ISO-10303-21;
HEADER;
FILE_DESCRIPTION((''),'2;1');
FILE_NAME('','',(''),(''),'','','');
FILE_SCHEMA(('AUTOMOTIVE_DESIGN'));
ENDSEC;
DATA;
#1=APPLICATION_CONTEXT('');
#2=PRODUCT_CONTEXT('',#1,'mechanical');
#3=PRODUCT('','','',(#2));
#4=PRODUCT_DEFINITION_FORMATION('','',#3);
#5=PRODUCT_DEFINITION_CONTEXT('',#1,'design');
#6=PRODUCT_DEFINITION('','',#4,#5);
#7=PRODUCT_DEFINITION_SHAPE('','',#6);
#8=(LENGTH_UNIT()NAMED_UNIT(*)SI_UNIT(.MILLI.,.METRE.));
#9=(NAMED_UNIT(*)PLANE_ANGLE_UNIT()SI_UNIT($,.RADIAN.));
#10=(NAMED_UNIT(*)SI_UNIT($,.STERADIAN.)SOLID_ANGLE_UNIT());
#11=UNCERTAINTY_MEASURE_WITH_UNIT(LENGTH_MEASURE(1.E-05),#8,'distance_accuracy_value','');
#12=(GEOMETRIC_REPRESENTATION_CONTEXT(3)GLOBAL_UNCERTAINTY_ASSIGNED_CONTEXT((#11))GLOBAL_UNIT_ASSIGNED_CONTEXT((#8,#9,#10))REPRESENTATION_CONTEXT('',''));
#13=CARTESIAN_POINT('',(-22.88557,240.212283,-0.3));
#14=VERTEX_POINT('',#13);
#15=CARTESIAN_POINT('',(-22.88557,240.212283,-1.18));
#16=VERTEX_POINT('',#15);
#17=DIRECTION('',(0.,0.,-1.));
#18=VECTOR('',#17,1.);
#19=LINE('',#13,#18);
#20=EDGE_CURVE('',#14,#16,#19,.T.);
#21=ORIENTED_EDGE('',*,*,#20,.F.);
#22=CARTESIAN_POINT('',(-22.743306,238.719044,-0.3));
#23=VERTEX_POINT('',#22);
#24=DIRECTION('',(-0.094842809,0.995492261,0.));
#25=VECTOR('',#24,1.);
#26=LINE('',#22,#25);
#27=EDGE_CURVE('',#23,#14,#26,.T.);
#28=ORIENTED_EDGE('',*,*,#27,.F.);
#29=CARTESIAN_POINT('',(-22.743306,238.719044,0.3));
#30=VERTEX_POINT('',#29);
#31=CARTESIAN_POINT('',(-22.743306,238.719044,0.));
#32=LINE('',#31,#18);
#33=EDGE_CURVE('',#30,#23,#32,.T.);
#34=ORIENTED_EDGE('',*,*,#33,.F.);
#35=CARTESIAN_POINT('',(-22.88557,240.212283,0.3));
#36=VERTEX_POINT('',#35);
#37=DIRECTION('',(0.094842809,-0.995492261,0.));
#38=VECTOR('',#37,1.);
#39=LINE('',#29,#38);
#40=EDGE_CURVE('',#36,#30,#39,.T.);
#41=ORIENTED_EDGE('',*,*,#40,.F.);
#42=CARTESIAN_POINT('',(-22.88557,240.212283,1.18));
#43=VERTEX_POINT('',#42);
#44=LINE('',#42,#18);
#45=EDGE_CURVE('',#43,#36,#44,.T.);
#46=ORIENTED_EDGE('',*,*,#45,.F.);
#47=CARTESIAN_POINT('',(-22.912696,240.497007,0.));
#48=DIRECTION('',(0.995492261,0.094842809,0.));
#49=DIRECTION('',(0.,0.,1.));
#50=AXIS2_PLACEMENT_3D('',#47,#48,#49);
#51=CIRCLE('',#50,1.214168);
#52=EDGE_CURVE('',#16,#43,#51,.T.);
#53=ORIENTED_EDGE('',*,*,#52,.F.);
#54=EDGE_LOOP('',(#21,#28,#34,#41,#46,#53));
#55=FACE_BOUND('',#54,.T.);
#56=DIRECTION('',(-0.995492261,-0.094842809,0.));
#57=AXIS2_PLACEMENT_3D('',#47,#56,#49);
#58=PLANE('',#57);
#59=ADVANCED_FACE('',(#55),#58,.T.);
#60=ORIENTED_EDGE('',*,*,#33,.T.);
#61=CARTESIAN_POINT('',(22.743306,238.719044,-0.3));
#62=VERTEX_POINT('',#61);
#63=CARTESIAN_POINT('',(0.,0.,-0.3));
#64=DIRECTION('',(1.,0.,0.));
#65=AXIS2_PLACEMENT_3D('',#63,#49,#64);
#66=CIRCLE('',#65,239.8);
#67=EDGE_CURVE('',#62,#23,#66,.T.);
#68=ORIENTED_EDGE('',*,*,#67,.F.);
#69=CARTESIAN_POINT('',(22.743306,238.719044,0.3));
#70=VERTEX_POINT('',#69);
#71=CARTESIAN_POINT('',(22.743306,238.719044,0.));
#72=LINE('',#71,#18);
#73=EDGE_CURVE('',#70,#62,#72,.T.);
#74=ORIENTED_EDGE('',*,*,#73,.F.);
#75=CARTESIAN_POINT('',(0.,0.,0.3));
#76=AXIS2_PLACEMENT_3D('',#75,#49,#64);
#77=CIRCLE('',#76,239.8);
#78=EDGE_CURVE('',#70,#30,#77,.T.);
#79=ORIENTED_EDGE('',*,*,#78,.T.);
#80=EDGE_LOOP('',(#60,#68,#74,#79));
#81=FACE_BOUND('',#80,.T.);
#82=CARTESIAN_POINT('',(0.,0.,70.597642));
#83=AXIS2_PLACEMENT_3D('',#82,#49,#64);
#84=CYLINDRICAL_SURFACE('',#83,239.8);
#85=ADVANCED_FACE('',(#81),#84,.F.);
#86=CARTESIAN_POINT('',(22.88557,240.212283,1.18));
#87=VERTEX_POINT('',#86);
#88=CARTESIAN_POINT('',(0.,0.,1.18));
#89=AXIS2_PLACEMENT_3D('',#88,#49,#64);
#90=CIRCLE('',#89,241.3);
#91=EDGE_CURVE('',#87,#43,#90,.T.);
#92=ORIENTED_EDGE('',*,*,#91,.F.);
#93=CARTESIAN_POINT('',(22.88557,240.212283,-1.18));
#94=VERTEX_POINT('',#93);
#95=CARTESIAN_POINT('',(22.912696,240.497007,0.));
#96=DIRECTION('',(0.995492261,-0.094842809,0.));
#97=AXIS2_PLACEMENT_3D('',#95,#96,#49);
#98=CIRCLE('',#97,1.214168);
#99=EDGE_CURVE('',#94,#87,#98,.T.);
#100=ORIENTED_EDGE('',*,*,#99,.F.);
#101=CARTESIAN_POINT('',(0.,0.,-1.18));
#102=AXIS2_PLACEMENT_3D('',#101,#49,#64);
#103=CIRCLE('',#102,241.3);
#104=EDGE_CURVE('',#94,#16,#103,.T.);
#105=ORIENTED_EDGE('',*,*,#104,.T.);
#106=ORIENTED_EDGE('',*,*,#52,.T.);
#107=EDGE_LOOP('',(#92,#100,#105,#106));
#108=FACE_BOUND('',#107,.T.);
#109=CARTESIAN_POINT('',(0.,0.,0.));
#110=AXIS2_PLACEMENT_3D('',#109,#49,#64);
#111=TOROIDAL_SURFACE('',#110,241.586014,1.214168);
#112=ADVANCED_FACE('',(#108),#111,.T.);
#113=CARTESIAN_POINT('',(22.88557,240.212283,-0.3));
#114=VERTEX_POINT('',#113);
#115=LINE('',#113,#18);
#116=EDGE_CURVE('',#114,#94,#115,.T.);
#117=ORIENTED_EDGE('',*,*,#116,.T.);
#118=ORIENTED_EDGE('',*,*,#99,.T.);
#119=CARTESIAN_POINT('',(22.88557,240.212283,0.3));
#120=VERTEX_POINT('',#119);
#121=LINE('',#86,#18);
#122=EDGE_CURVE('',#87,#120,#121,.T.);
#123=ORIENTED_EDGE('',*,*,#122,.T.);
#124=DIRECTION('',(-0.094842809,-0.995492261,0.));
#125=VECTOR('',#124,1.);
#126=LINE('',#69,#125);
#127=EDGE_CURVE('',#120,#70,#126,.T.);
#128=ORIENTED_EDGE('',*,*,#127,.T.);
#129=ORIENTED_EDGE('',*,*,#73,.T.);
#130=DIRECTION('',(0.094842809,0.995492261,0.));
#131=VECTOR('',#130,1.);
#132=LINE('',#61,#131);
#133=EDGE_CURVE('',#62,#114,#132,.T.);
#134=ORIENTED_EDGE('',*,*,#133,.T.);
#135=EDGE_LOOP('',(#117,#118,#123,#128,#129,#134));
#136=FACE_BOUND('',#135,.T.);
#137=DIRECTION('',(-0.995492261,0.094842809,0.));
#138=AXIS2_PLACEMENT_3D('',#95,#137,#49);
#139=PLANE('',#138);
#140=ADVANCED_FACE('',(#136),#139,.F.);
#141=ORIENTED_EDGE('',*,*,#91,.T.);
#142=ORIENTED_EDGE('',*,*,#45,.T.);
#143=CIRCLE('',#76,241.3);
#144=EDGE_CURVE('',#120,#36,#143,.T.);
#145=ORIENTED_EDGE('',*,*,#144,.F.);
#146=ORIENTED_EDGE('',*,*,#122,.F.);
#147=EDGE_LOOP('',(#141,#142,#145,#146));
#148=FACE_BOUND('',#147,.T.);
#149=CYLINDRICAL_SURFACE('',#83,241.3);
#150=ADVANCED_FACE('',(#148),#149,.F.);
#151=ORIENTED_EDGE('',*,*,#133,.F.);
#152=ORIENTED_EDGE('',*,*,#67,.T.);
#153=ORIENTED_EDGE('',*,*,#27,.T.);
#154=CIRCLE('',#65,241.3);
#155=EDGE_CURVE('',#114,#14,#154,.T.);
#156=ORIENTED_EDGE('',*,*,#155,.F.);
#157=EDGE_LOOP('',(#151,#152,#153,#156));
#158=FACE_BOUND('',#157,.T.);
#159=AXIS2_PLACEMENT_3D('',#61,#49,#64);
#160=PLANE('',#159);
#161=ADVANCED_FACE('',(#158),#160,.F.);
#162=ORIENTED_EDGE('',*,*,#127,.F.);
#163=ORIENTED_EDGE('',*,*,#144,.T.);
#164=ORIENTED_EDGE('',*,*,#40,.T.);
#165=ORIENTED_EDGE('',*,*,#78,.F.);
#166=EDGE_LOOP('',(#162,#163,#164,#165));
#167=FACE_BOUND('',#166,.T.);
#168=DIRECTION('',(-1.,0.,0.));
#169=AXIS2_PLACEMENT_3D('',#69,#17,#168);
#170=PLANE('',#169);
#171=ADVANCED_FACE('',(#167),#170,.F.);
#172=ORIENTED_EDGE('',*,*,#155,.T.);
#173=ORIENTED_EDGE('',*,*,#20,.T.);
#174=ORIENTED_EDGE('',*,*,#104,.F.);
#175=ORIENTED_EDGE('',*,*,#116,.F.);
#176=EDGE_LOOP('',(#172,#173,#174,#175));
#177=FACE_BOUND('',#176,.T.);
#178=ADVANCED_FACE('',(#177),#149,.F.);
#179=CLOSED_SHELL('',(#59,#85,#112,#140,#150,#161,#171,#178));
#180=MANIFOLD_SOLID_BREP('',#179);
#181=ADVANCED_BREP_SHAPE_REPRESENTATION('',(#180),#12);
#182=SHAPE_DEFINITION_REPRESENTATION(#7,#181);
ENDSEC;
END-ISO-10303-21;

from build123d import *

# Parameters (mm, degrees)
REVOLVE1_ANGLE           = 5.442272589
REVOLVE1_OTHER_WAY_ANGLE = 5.442272589


with BuildPart() as part:
    # Sketch2 → Revolve1 (revolve)
    with BuildSketch(Plane(origin=(0, 0, 0), x_dir=(0, 0, -1), z_dir=(1, 0, 0))):
        with BuildLine():
            Line((0, 239.8), (0.3, 239.8))
            Line((0.3, 239.8), (0.3, 241.3))
            Line((0.3, 241.3), (1.18, 241.3))
            ThreePointArc((1.18, 241.3), (0, 242.800182019), (-1.18, 241.3))
            Line((-1.18, 241.3), (-0.3, 241.3))
            Line((-0.3, 241.3), (-0.3, 239.8))
            Line((-0.3, 239.8), (0, 239.8))
        make_face()
    revolve(axis=Axis((0, 0, 70.597641597), (0, 0, -1)), revolution_arc=REVOLVE1_ANGLE)

    # Sketch2 → Revolve1 other way (revolve)
    with BuildSketch(Plane(origin=(0, 0, 0), x_dir=(0, 0, -1), z_dir=(1, 0, 0))):
        with BuildLine():
            Line((0, 239.8), (0.3, 239.8))
            Line((0.3, 239.8), (0.3, 241.3))
            Line((0.3, 241.3), (1.18, 241.3))
            ThreePointArc((1.18, 241.3), (0, 242.800182019), (-1.18, 241.3))
            Line((-1.18, 241.3), (-0.3, 241.3))
            Line((-0.3, 241.3), (-0.3, 239.8))
            Line((-0.3, 239.8), (0, 239.8))
        make_face()
    revolve(axis=Axis((0, 0, 70.597641597), (0, 0, 1)), revolution_arc=REVOLVE1_OTHER_WAY_ANGLE)


solid = part.part
